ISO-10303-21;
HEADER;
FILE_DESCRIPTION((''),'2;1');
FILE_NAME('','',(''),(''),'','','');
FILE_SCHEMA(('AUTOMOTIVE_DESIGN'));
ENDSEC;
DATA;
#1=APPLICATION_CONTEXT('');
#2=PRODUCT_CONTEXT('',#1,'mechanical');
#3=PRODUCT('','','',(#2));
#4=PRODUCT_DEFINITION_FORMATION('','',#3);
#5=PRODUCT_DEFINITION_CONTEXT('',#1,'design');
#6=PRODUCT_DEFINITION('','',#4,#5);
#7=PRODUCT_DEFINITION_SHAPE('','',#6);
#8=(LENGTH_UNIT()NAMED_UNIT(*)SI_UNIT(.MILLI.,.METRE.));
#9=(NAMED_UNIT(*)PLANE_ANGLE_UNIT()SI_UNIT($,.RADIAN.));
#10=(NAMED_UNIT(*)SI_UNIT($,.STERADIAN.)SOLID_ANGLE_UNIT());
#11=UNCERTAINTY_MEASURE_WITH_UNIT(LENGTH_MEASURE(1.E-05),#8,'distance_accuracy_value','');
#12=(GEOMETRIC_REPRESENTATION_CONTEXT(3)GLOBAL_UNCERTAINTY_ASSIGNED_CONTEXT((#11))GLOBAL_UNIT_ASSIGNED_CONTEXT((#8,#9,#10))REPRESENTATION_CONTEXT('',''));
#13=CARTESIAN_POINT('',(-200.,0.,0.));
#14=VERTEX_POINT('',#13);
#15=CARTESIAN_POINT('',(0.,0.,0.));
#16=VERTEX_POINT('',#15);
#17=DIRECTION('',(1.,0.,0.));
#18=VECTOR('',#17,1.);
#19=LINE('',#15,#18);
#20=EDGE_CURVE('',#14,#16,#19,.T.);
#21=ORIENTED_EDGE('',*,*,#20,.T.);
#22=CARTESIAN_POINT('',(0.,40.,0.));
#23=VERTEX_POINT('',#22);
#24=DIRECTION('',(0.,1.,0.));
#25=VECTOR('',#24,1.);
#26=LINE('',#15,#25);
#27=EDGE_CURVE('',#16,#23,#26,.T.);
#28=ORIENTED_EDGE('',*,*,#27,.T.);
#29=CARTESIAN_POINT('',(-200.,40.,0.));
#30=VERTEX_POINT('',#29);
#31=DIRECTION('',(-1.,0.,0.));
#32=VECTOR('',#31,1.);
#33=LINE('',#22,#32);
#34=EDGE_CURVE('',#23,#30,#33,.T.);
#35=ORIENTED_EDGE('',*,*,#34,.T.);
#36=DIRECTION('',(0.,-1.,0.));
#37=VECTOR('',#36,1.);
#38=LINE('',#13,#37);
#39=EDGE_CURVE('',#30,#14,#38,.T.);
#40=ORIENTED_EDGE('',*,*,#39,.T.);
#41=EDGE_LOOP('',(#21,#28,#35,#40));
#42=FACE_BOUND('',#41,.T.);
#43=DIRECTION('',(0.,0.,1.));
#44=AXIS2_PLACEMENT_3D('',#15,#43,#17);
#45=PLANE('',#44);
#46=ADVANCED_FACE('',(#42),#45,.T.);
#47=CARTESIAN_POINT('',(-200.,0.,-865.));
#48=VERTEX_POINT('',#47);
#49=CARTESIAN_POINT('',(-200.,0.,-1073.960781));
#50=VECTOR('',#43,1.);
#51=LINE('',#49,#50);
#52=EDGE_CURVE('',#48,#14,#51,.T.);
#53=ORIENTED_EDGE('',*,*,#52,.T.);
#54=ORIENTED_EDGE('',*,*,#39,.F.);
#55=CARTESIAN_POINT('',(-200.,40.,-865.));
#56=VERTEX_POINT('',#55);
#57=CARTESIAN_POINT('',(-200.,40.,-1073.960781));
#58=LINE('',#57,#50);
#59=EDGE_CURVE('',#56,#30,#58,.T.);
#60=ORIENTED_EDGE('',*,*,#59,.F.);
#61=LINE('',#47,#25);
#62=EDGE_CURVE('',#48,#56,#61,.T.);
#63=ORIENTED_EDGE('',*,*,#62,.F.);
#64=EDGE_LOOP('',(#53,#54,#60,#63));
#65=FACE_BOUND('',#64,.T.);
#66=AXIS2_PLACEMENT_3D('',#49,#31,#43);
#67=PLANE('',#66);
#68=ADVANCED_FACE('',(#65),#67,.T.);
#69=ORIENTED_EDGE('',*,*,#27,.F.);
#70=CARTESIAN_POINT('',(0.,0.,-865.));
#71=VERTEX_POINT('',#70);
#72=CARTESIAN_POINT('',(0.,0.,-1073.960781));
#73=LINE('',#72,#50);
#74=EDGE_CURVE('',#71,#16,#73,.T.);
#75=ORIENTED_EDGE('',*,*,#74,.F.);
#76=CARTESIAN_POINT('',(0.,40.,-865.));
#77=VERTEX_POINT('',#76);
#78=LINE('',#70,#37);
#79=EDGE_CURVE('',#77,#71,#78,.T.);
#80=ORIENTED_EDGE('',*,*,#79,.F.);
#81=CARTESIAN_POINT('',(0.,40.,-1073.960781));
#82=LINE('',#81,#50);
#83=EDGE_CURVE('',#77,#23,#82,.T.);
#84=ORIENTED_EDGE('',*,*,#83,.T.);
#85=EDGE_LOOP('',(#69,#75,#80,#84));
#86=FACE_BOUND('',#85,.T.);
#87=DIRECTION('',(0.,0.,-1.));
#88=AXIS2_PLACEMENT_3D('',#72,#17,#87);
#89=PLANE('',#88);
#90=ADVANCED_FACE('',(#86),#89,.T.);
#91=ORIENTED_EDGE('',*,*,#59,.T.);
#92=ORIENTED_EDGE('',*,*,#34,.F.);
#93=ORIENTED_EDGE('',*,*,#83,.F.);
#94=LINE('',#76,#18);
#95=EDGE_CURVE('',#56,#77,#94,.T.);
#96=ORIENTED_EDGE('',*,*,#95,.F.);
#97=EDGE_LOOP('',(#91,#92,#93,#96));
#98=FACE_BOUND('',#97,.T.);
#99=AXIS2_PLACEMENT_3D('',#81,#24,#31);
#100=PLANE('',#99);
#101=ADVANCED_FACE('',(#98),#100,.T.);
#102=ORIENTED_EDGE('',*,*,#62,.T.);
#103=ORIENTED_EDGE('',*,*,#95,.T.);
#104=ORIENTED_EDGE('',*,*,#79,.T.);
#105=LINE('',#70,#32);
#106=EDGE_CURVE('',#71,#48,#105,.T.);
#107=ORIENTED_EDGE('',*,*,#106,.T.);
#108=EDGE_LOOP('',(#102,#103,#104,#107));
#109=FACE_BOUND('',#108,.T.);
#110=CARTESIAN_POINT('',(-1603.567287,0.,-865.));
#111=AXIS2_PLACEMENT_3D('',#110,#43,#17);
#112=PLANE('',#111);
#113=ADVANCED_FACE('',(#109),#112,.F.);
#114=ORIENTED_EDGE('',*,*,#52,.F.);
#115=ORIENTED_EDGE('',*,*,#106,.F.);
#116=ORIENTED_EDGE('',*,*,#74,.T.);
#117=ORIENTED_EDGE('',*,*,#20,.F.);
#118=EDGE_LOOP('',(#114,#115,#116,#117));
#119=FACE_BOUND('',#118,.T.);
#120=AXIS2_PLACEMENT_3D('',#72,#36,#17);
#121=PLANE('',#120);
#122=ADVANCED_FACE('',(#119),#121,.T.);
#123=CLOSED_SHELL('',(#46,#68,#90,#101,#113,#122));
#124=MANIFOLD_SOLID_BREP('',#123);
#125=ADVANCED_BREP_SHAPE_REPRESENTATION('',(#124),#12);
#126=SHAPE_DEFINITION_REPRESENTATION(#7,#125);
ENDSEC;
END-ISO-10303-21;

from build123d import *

# Parameters (mm, degrees)
SKETCH_1_W      = 200
SKETCH_1_H      = 40
EXTRUDE_1_DEPTH = 865


with BuildPart() as part:
    # Эскиз1 → Бобышка-Вытянуть1 (new body)
    with BuildSketch(Plane.XY):
        with Locations((-100, 20)):
            Rectangle(SKETCH_1_W, SKETCH_1_H)
    extrude(amount=-EXTRUDE_1_DEPTH)


solid = part.part
